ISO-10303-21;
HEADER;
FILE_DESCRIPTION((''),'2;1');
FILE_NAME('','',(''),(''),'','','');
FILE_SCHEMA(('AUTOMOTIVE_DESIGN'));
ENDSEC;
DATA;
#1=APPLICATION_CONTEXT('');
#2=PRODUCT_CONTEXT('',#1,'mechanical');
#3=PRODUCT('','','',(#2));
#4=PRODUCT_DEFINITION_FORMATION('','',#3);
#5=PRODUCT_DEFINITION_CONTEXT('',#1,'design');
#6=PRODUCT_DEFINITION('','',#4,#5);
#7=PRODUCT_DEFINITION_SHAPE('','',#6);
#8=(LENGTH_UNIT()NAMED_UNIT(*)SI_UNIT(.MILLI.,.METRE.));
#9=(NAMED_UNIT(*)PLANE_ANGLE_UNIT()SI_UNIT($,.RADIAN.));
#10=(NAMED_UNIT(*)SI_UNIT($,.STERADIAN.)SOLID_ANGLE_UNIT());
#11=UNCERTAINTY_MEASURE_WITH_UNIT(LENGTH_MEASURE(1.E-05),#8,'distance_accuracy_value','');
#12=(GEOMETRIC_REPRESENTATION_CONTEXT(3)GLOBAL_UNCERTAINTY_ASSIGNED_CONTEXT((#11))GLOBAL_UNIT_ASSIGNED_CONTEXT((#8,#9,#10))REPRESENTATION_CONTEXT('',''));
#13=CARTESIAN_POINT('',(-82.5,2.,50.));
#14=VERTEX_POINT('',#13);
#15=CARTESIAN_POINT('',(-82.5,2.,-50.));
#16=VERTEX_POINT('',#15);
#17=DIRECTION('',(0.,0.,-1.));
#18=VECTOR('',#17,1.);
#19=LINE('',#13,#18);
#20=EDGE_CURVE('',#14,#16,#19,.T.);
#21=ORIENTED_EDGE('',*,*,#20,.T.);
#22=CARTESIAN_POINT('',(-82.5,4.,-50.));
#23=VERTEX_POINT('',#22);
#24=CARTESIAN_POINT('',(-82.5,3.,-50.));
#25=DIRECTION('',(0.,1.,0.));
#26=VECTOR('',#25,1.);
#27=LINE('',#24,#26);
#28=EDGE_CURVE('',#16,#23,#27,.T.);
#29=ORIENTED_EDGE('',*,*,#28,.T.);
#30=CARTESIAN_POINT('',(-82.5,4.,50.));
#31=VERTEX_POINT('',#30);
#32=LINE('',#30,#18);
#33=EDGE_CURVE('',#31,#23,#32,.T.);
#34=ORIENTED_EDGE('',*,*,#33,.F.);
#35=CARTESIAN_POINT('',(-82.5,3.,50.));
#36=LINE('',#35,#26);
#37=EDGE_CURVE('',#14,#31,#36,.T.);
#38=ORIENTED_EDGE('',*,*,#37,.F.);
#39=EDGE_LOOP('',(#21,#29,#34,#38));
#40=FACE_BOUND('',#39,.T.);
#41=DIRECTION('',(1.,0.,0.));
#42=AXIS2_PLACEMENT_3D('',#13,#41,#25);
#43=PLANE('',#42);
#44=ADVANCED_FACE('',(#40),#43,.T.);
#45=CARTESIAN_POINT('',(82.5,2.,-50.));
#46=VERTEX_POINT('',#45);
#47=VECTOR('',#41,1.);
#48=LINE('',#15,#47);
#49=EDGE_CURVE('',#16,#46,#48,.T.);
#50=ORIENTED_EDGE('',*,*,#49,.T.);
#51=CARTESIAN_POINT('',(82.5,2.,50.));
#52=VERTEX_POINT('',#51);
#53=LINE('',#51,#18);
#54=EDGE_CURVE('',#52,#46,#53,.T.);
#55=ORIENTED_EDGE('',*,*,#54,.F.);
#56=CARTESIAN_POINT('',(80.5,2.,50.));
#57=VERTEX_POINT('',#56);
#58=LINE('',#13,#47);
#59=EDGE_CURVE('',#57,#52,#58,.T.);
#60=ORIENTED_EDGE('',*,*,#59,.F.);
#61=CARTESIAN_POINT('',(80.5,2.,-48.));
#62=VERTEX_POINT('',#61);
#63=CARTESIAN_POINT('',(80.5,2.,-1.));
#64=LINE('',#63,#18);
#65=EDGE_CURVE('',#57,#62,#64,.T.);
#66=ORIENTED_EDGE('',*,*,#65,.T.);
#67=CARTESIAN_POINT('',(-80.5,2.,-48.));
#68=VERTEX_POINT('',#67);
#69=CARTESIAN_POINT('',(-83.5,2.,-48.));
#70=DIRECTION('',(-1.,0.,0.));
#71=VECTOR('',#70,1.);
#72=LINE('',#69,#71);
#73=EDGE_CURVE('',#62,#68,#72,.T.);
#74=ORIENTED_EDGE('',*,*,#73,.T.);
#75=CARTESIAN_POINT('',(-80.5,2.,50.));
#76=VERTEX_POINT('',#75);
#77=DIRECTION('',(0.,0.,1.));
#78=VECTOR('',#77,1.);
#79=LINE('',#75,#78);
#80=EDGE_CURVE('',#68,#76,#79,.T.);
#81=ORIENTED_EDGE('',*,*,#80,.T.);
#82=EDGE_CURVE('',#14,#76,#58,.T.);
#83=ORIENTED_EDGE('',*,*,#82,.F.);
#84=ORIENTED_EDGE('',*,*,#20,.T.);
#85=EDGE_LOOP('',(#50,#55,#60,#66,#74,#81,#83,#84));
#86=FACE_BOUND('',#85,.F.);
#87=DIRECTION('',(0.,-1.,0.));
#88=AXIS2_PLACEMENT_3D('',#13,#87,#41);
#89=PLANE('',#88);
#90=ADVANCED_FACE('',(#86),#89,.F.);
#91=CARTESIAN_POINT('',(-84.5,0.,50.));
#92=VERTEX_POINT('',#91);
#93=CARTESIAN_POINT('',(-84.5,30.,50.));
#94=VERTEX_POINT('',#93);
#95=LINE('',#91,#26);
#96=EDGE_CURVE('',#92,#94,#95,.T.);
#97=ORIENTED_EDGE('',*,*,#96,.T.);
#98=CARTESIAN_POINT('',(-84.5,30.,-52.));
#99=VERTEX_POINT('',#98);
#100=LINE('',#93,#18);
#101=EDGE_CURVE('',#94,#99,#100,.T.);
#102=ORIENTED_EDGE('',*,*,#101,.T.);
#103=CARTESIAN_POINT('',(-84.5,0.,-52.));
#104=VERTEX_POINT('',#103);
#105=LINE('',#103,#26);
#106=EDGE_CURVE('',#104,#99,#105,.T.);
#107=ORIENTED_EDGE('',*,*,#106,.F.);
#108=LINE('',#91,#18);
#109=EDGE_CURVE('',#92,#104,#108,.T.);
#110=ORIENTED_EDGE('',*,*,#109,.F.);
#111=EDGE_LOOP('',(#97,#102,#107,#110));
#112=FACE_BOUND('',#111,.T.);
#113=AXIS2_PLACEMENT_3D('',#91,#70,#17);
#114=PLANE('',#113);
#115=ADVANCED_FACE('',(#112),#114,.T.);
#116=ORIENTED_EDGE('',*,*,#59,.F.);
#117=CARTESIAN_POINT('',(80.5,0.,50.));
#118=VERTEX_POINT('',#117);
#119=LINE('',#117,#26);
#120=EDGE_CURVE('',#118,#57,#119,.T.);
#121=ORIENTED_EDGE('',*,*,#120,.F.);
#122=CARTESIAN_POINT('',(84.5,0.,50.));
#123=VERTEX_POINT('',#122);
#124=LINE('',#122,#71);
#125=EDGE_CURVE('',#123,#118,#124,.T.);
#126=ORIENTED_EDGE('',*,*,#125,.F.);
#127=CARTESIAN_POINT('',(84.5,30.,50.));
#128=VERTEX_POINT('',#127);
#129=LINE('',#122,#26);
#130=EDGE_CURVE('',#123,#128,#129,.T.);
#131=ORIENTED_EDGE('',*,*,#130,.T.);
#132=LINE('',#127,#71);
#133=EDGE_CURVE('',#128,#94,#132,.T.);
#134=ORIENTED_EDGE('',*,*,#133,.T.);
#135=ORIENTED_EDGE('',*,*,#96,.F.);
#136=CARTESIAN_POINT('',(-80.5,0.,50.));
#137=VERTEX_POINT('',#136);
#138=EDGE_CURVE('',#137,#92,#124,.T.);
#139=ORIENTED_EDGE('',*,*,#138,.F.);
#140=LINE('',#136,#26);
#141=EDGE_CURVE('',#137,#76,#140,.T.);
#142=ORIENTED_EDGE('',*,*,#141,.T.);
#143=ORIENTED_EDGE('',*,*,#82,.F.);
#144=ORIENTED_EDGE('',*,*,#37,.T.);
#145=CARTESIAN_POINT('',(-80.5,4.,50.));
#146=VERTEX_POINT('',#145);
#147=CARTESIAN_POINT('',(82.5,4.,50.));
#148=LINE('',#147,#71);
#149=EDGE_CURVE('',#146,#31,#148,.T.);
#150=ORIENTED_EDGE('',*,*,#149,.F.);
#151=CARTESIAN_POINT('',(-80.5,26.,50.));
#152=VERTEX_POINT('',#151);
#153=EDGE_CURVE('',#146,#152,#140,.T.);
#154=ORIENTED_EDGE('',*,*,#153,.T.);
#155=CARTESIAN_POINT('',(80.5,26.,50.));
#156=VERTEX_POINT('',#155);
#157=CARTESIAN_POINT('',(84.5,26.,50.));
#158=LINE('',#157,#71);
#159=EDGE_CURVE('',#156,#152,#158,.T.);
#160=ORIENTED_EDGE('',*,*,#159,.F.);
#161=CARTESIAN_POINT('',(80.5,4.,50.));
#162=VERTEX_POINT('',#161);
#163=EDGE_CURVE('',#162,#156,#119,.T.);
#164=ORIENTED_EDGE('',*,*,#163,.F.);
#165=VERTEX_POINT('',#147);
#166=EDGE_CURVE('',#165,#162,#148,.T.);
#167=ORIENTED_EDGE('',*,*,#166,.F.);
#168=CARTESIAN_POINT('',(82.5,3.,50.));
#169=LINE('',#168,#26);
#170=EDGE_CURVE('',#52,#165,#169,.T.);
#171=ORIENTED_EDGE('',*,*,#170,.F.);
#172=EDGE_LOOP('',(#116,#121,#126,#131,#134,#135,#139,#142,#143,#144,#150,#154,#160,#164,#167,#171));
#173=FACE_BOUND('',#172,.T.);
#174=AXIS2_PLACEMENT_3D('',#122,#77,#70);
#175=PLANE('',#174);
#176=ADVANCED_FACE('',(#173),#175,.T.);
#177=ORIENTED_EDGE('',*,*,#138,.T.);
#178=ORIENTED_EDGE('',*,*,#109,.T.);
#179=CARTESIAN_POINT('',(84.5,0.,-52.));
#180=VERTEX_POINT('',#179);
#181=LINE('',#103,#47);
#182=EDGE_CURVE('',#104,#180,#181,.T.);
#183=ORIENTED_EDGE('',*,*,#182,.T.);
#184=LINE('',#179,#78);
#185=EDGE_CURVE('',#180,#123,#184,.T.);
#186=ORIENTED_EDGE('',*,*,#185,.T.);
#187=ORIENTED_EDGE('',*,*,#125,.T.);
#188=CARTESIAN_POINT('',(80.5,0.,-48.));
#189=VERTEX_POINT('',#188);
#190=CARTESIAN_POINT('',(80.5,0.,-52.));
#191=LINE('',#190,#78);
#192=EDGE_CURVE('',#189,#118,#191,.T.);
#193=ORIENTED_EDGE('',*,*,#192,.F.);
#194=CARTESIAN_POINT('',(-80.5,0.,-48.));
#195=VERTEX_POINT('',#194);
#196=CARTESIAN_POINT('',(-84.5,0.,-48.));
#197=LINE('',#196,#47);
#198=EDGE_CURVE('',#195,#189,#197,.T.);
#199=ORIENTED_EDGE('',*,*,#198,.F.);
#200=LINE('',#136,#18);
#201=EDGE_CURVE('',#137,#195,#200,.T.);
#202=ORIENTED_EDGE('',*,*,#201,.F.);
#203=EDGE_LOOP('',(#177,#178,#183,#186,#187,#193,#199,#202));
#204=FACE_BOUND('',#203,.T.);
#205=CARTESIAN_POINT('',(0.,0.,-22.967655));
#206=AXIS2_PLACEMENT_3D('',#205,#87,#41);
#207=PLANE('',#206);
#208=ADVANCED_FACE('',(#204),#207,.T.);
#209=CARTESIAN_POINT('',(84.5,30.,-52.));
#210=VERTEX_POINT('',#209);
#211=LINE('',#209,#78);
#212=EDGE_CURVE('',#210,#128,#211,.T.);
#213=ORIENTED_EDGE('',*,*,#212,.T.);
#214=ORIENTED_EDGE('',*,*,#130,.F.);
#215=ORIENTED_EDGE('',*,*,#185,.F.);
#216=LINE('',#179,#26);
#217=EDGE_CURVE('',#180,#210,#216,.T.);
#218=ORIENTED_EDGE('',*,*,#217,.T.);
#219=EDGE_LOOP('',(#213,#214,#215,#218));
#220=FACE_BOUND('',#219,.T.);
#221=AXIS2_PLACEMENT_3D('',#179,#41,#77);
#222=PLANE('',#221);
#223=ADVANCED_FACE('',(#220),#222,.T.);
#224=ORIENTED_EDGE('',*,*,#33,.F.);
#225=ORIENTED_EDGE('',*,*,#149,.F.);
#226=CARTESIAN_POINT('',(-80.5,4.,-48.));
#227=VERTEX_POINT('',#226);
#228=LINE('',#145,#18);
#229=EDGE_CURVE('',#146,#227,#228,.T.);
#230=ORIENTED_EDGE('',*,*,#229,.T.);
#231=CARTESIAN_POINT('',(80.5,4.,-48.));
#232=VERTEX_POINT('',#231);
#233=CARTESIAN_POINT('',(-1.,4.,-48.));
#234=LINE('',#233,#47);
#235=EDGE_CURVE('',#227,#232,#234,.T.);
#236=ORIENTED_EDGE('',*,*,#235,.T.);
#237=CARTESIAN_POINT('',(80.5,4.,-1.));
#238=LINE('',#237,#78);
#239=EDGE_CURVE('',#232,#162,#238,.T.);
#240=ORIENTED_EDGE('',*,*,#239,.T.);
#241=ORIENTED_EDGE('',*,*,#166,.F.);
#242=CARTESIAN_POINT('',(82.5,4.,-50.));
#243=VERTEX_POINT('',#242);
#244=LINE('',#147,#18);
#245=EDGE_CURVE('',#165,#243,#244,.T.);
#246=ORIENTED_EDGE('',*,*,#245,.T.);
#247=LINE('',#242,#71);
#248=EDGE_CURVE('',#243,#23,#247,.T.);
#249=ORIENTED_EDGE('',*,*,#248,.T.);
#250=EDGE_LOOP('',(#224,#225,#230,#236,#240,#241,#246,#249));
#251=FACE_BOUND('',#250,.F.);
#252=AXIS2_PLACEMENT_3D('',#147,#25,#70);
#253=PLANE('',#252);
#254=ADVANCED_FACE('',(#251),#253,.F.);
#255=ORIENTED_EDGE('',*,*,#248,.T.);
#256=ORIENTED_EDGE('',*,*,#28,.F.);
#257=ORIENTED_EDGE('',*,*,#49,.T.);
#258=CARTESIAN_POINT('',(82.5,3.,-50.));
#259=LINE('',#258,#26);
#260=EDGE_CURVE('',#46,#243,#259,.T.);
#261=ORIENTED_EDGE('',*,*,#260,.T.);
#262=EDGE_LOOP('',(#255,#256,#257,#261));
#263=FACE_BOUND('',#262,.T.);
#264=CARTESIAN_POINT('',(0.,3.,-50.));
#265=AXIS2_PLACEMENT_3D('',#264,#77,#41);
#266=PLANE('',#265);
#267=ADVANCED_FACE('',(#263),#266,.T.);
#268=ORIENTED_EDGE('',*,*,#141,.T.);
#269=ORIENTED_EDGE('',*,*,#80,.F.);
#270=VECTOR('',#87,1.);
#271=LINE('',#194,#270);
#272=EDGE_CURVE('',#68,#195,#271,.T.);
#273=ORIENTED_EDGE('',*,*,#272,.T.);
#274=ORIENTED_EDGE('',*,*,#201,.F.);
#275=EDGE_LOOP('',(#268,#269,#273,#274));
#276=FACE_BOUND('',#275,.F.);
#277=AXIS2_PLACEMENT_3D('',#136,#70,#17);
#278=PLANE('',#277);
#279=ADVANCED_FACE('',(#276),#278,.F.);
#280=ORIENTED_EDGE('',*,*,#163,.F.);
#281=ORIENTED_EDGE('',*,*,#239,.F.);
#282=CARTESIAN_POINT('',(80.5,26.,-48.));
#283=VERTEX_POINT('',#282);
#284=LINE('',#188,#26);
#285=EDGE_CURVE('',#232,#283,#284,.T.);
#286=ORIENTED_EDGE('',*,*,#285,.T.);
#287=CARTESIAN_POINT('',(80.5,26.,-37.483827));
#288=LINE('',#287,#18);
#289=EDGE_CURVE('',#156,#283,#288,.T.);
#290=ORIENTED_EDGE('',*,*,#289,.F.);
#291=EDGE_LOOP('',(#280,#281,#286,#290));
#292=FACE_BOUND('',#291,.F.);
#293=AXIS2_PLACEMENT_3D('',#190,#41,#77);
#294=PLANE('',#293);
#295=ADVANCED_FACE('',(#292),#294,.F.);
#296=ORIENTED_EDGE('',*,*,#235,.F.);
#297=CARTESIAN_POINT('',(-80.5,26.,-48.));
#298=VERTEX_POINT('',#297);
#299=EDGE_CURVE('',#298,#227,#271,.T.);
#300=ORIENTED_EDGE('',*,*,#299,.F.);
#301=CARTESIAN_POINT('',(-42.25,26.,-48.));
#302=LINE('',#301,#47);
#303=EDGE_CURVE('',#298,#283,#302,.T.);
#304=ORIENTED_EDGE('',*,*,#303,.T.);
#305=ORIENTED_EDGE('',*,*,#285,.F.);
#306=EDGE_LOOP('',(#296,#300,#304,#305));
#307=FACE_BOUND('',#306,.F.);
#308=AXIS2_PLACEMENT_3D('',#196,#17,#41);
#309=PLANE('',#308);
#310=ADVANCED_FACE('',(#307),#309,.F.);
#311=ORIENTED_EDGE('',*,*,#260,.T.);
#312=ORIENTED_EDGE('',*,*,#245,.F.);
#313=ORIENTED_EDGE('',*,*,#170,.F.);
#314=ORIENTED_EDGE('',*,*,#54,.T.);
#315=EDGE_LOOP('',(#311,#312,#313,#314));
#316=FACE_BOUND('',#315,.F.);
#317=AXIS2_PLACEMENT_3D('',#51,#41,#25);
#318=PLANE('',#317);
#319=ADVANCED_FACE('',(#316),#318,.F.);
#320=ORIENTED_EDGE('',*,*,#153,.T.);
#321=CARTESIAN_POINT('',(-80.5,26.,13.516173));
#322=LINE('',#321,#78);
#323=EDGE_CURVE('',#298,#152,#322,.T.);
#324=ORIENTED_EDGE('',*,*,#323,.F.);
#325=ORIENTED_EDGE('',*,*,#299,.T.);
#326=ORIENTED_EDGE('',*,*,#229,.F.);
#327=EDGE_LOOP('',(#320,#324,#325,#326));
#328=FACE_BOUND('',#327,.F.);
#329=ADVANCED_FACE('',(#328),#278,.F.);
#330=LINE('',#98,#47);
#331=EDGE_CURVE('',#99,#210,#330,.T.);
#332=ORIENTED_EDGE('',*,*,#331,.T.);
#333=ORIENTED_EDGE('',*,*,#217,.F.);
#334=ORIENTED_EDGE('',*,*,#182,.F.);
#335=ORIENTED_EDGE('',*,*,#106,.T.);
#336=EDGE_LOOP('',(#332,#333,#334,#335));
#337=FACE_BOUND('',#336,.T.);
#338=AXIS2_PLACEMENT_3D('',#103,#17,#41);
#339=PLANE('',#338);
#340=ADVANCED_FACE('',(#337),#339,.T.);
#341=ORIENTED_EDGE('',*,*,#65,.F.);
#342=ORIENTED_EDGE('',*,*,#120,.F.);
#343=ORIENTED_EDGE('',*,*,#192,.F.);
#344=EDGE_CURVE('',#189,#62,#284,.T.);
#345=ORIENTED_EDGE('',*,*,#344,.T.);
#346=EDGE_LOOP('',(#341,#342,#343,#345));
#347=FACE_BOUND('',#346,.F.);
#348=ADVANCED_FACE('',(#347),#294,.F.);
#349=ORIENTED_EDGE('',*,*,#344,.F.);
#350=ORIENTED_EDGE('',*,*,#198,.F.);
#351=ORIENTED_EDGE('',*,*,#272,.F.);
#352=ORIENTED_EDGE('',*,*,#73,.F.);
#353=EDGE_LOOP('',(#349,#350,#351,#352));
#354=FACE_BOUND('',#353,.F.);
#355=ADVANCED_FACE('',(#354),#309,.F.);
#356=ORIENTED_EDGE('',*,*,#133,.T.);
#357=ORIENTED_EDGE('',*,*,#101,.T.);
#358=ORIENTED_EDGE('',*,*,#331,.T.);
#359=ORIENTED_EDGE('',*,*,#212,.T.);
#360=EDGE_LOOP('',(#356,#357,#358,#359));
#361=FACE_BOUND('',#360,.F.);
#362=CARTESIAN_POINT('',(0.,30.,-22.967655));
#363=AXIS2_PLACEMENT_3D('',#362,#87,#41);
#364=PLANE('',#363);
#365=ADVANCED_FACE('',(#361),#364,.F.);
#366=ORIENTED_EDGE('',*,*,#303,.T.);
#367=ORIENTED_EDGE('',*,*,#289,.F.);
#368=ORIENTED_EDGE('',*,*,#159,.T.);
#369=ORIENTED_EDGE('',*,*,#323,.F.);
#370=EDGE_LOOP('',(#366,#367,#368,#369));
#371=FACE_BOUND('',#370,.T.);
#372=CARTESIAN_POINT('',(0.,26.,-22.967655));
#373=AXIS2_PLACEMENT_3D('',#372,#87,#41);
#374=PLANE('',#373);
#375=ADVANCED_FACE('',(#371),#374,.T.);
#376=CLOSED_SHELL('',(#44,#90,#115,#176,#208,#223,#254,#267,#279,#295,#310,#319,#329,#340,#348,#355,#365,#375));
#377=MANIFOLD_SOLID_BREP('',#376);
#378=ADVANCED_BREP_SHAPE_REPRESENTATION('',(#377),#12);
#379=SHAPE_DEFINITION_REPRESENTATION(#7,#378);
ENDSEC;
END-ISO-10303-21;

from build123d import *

# Parameters (mm, degrees)
F1_W     = 161
F1_H     = 96
F1_H_2   = 2
F2_DEPTH = 30
F3_T     = -4
F4_W     = 161
F4_H     = 2
F4_W_2   = 2
F5_DEPTH = 100


with BuildPart() as f2:
    # F1 (on Front) → F2 (new body)
    with BuildSketch(Plane.XZ):
        Polygon((82.5, 50), (82.5, -50), (-82.5, -50), (-82.5, 50), (-84.5, 50), (-84.5, -52), (84.5, -52), (84.5, 50), align=None)
        Polygon((-82.5, -50), (82.5, -50), (82.5, 50), (80.5, 50), (80.5, 48), (80.5, -48), (-80.5, -48), (-80.5, 48), (-80.5, 50), (-82.5, 50), align=None)
        Rectangle(F1_W, F1_H)
        with Locations((0, 49)):
            Rectangle(F1_W, F1_H_2)
    extrude(amount=-F2_DEPTH)

    # F3
    f3_openings = [f2.faces().sort_by_distance(p)[0] for p in [
        (0, 15, 50),
        (0, 0, -1),
    ]]
    offset(amount=F3_T, openings=f3_openings)

    # F4 (on face) → F5 (cut)
    with BuildSketch(Plane.XY.offset(50)):
        with Locations((0, 3)):
            Rectangle(F4_W, F4_H)
        with Locations((-81.5, 3)):
            Rectangle(F4_W_2, F4_H)
        with Locations((81.5, 3)):
            Rectangle(F4_W_2, F4_H)
    extrude(amount=-F5_DEPTH, mode=Mode.SUBTRACT)


solid = f2.part
